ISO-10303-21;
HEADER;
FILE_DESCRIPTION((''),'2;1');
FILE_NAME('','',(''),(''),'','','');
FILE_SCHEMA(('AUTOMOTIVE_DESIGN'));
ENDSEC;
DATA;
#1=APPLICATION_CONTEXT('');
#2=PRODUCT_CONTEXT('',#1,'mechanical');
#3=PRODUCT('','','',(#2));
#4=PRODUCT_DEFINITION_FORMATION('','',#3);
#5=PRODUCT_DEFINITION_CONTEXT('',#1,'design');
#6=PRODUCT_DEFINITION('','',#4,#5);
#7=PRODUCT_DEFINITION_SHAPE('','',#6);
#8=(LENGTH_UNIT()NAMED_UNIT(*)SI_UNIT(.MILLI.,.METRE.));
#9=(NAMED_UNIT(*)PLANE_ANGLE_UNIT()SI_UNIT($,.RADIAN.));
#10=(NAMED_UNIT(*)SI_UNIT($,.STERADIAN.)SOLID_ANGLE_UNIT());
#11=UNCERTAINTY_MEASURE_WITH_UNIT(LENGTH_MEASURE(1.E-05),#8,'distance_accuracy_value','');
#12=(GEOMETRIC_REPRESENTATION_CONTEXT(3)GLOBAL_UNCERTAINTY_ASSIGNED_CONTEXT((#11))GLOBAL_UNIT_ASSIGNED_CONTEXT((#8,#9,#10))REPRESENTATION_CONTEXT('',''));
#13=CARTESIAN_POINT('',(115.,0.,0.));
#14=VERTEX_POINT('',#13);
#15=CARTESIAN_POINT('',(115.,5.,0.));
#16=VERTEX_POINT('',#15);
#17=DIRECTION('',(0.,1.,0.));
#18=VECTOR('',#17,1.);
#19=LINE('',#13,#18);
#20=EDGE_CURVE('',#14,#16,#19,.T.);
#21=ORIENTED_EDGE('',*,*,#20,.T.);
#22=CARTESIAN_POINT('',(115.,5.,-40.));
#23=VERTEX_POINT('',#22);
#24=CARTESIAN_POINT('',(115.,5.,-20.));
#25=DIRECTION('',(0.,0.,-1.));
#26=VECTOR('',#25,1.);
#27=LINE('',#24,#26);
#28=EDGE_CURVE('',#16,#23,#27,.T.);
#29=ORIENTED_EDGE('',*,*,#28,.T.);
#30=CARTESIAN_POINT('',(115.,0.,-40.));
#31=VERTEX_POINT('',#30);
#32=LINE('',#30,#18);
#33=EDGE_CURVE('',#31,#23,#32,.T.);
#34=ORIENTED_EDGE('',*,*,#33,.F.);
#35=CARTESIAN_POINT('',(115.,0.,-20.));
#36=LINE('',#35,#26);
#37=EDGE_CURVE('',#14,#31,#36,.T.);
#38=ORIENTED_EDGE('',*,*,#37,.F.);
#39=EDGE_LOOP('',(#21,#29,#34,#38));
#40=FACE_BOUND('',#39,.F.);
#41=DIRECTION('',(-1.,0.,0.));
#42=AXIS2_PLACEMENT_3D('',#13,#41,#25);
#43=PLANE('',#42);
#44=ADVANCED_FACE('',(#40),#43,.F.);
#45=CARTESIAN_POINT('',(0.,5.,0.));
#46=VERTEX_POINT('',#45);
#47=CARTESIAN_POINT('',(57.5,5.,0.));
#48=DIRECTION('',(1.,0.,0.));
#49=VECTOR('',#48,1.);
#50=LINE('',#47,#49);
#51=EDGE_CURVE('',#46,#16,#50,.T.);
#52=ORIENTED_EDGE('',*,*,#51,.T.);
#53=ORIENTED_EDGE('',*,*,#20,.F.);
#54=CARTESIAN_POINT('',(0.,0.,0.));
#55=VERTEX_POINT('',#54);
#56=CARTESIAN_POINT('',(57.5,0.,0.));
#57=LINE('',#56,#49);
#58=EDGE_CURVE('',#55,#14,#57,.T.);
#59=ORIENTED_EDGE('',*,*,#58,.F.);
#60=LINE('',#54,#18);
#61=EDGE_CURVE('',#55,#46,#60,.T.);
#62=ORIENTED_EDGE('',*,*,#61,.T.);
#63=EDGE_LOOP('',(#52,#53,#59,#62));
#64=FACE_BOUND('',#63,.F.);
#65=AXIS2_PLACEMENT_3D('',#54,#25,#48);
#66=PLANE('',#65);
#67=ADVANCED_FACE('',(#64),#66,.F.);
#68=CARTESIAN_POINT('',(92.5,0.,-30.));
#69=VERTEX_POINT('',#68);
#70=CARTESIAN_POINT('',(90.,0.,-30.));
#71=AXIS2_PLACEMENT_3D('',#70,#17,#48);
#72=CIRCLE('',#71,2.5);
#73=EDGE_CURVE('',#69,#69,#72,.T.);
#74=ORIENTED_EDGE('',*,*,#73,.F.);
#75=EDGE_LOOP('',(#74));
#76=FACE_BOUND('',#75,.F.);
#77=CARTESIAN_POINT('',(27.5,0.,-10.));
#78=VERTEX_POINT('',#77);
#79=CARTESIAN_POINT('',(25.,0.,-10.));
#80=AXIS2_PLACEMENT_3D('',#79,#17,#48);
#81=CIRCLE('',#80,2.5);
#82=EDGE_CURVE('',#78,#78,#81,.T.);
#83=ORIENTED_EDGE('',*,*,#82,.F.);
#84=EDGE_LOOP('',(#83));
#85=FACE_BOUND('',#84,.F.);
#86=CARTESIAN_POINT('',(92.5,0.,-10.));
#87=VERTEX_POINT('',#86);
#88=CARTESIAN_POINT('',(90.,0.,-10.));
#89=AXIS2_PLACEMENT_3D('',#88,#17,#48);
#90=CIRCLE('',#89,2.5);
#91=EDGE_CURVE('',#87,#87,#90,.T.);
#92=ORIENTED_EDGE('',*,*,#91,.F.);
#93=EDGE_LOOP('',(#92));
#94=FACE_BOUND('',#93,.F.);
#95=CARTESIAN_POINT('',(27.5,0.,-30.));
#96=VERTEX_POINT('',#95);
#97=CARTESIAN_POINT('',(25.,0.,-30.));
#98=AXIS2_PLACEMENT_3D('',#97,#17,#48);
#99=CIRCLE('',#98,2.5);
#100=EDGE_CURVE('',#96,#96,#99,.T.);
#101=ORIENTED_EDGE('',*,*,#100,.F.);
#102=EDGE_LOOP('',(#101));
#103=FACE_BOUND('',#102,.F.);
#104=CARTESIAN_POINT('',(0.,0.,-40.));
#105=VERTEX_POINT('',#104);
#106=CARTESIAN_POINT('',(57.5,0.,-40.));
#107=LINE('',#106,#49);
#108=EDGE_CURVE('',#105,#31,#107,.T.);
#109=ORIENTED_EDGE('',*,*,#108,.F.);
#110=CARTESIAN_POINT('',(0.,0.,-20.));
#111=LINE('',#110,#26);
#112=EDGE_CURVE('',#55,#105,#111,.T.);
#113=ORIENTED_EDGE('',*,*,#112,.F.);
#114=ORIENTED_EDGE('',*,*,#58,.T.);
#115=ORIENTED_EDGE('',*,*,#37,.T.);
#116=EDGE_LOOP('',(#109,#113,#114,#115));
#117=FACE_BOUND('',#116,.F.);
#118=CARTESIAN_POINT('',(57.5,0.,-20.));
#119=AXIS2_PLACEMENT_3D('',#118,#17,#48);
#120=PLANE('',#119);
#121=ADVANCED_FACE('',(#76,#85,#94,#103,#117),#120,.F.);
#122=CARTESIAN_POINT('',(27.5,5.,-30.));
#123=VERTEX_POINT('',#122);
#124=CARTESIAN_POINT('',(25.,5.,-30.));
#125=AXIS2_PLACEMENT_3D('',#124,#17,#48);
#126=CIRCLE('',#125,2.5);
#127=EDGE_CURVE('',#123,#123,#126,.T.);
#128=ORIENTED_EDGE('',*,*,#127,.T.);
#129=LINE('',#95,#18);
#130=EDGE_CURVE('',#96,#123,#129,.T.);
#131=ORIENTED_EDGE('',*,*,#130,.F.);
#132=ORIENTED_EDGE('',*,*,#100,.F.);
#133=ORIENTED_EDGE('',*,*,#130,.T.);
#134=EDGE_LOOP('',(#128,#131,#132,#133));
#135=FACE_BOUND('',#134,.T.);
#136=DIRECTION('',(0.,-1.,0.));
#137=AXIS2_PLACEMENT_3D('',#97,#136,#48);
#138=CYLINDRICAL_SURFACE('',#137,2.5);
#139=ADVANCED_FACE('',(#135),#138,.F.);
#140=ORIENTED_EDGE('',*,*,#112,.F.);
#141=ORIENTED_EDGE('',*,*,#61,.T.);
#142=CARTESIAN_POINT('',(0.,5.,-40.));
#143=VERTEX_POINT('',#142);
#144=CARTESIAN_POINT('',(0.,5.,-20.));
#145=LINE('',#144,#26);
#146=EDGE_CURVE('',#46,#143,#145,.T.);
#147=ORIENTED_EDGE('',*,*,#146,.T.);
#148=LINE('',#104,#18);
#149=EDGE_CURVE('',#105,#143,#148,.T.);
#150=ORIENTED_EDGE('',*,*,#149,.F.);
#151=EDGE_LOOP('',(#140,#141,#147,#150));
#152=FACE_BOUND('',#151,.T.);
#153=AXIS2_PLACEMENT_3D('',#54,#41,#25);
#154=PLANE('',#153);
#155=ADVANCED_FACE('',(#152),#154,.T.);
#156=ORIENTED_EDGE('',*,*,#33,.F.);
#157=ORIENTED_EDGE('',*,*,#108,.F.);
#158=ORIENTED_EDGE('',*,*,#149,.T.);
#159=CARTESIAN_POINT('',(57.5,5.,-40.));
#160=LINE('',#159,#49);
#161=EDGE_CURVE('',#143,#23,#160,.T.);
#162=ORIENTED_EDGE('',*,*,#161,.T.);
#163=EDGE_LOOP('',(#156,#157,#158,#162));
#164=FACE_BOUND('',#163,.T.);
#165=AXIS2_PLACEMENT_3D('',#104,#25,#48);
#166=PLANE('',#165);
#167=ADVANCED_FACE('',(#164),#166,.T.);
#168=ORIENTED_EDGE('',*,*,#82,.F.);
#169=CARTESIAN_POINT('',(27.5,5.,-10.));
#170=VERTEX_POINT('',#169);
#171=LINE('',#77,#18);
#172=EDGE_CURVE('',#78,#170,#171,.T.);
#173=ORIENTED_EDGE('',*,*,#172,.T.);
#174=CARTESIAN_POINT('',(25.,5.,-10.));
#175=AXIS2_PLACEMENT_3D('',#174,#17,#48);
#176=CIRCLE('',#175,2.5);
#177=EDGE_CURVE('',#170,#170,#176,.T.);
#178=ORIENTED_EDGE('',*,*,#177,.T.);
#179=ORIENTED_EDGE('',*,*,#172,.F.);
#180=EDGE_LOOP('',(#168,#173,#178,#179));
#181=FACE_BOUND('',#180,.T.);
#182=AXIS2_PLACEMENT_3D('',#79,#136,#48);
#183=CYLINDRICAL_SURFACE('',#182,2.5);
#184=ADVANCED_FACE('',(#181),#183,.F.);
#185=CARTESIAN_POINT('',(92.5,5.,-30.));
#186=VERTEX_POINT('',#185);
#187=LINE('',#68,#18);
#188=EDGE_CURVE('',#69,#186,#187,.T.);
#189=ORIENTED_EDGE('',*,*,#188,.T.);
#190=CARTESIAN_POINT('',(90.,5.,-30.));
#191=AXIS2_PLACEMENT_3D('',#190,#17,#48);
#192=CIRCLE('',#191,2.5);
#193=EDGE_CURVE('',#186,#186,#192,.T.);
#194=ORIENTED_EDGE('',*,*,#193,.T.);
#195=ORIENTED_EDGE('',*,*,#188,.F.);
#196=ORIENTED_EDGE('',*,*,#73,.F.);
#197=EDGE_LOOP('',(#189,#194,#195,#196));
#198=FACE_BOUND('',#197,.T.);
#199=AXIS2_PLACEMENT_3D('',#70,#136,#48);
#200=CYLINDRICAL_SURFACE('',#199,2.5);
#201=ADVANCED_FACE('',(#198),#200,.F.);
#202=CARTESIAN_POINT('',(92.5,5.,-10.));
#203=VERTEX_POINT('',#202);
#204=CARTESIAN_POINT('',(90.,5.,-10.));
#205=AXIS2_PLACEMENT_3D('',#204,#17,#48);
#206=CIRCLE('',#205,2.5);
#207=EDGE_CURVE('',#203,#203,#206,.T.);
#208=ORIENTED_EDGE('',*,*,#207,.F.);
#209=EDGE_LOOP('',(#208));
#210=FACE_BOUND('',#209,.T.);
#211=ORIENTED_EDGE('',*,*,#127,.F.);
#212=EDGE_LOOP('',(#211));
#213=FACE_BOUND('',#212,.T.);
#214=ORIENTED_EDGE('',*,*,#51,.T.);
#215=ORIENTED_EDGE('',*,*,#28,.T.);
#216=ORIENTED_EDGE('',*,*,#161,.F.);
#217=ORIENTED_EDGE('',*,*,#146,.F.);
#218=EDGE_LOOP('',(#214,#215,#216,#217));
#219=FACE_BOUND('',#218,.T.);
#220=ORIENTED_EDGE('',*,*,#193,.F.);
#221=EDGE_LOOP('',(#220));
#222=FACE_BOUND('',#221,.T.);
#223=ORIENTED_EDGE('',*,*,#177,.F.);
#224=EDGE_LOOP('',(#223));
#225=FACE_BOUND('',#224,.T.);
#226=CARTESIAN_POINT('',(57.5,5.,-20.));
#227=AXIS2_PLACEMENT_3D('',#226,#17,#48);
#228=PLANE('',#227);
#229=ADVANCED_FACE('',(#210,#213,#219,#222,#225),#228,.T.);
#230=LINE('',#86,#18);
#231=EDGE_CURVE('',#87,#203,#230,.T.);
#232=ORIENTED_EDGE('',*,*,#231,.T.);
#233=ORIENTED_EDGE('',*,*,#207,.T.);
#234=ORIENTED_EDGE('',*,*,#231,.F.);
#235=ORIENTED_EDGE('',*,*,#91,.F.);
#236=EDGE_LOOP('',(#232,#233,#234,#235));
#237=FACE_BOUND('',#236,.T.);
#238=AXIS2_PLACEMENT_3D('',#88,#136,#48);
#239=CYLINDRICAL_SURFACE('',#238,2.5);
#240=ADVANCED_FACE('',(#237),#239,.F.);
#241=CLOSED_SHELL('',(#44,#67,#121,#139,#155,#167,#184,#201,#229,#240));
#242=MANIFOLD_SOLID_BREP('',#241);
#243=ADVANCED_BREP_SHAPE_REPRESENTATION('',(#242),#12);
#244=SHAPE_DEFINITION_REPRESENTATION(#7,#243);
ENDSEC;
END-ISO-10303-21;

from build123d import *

# Parameters (mm, degrees)
SKETCH2_W           = 115
SKETCH2_H           = 40
SKETCH2_R           = 2.5
BOSS_EXTRUDE1_DEPTH = 5


with BuildPart() as part:
    # Sketch2 → Boss-Extrude1 (new body)
    with BuildSketch(Plane(origin=(0, 0, 0), x_dir=(1, 0, 0), z_dir=(0, 1, 0))):
        with Locations((57.5, 20)):
            Rectangle(SKETCH2_W, SKETCH2_H)
        with Locations((25, 30)):
            Circle(SKETCH2_R, mode=Mode.SUBTRACT)
        with Locations((25, 10)):
            Circle(SKETCH2_R, mode=Mode.SUBTRACT)
        with Locations((90, 10)):
            Circle(SKETCH2_R, mode=Mode.SUBTRACT)
        with Locations((90, 30)):
            Circle(SKETCH2_R, mode=Mode.SUBTRACT)
    extrude(amount=BOSS_EXTRUDE1_DEPTH)


solid = part.part
